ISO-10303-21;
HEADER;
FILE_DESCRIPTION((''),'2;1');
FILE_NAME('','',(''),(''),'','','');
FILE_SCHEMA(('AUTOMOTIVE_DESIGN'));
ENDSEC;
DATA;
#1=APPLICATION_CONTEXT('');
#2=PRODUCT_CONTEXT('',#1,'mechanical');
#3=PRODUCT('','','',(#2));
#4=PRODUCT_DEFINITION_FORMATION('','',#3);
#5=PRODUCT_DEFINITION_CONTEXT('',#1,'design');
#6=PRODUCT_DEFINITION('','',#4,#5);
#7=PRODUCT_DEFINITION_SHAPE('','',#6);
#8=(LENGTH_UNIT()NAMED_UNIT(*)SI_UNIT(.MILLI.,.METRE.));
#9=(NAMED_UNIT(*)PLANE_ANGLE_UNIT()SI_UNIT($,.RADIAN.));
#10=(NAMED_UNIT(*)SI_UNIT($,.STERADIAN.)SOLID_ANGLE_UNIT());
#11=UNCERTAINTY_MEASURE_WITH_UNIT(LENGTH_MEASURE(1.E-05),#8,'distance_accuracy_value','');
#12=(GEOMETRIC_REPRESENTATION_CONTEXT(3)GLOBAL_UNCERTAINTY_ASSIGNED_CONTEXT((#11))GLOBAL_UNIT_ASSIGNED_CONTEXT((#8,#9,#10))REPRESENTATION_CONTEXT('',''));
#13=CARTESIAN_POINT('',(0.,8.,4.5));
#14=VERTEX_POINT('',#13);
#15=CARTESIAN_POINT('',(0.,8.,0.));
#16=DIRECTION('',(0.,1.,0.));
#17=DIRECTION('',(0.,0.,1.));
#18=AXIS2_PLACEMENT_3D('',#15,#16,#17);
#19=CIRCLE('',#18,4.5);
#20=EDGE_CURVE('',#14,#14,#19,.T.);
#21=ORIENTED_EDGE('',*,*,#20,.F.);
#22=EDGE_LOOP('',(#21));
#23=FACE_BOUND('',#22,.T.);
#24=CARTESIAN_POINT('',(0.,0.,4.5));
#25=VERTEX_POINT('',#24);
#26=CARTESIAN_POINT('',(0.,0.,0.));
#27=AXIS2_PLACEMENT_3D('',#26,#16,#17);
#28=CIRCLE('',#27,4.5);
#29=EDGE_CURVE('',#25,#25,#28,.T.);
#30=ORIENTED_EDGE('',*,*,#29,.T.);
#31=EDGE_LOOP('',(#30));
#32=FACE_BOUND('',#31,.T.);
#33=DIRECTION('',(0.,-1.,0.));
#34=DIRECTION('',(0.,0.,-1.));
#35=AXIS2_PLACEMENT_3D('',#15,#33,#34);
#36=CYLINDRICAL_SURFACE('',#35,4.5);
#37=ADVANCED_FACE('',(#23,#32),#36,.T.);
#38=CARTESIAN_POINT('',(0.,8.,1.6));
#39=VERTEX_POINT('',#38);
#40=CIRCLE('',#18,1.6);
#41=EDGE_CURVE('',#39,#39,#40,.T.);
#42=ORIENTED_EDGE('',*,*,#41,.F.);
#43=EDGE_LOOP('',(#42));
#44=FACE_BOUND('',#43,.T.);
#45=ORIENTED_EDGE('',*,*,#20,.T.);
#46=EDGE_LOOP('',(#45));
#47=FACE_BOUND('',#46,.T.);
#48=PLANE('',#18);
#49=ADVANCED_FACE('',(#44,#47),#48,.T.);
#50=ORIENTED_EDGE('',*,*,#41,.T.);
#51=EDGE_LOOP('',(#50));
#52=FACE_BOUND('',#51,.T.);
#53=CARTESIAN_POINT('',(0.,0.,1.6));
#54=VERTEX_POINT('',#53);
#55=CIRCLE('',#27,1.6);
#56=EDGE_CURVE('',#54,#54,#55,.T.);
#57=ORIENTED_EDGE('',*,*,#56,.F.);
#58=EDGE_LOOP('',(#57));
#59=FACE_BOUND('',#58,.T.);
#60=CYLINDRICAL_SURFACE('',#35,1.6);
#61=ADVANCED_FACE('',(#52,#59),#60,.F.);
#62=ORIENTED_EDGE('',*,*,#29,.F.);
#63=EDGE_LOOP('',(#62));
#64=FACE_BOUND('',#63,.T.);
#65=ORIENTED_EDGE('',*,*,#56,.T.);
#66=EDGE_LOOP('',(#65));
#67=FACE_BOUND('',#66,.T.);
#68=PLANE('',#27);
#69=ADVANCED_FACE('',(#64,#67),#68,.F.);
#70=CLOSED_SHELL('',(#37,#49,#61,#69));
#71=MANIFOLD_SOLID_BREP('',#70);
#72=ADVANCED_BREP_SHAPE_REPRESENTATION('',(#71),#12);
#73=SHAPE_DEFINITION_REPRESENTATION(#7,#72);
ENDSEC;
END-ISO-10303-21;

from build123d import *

# Parameters (mm, degrees)
CROQUIS1_R              = 4.5
CROQUIS1_R_2            = 1.6
SALIENTE_EXTRUIR1_DEPTH = 8


with BuildPart() as part:
    # Croquis1 → Saliente-Extruir1 (new body)
    with BuildSketch(Plane(origin=(0, 0, 0), x_dir=(1, 0, 0), z_dir=(0, 1, 0))):
        Circle(CROQUIS1_R)
        Circle(CROQUIS1_R_2, mode=Mode.SUBTRACT)
    extrude(amount=SALIENTE_EXTRUIR1_DEPTH)


solid = part.part
